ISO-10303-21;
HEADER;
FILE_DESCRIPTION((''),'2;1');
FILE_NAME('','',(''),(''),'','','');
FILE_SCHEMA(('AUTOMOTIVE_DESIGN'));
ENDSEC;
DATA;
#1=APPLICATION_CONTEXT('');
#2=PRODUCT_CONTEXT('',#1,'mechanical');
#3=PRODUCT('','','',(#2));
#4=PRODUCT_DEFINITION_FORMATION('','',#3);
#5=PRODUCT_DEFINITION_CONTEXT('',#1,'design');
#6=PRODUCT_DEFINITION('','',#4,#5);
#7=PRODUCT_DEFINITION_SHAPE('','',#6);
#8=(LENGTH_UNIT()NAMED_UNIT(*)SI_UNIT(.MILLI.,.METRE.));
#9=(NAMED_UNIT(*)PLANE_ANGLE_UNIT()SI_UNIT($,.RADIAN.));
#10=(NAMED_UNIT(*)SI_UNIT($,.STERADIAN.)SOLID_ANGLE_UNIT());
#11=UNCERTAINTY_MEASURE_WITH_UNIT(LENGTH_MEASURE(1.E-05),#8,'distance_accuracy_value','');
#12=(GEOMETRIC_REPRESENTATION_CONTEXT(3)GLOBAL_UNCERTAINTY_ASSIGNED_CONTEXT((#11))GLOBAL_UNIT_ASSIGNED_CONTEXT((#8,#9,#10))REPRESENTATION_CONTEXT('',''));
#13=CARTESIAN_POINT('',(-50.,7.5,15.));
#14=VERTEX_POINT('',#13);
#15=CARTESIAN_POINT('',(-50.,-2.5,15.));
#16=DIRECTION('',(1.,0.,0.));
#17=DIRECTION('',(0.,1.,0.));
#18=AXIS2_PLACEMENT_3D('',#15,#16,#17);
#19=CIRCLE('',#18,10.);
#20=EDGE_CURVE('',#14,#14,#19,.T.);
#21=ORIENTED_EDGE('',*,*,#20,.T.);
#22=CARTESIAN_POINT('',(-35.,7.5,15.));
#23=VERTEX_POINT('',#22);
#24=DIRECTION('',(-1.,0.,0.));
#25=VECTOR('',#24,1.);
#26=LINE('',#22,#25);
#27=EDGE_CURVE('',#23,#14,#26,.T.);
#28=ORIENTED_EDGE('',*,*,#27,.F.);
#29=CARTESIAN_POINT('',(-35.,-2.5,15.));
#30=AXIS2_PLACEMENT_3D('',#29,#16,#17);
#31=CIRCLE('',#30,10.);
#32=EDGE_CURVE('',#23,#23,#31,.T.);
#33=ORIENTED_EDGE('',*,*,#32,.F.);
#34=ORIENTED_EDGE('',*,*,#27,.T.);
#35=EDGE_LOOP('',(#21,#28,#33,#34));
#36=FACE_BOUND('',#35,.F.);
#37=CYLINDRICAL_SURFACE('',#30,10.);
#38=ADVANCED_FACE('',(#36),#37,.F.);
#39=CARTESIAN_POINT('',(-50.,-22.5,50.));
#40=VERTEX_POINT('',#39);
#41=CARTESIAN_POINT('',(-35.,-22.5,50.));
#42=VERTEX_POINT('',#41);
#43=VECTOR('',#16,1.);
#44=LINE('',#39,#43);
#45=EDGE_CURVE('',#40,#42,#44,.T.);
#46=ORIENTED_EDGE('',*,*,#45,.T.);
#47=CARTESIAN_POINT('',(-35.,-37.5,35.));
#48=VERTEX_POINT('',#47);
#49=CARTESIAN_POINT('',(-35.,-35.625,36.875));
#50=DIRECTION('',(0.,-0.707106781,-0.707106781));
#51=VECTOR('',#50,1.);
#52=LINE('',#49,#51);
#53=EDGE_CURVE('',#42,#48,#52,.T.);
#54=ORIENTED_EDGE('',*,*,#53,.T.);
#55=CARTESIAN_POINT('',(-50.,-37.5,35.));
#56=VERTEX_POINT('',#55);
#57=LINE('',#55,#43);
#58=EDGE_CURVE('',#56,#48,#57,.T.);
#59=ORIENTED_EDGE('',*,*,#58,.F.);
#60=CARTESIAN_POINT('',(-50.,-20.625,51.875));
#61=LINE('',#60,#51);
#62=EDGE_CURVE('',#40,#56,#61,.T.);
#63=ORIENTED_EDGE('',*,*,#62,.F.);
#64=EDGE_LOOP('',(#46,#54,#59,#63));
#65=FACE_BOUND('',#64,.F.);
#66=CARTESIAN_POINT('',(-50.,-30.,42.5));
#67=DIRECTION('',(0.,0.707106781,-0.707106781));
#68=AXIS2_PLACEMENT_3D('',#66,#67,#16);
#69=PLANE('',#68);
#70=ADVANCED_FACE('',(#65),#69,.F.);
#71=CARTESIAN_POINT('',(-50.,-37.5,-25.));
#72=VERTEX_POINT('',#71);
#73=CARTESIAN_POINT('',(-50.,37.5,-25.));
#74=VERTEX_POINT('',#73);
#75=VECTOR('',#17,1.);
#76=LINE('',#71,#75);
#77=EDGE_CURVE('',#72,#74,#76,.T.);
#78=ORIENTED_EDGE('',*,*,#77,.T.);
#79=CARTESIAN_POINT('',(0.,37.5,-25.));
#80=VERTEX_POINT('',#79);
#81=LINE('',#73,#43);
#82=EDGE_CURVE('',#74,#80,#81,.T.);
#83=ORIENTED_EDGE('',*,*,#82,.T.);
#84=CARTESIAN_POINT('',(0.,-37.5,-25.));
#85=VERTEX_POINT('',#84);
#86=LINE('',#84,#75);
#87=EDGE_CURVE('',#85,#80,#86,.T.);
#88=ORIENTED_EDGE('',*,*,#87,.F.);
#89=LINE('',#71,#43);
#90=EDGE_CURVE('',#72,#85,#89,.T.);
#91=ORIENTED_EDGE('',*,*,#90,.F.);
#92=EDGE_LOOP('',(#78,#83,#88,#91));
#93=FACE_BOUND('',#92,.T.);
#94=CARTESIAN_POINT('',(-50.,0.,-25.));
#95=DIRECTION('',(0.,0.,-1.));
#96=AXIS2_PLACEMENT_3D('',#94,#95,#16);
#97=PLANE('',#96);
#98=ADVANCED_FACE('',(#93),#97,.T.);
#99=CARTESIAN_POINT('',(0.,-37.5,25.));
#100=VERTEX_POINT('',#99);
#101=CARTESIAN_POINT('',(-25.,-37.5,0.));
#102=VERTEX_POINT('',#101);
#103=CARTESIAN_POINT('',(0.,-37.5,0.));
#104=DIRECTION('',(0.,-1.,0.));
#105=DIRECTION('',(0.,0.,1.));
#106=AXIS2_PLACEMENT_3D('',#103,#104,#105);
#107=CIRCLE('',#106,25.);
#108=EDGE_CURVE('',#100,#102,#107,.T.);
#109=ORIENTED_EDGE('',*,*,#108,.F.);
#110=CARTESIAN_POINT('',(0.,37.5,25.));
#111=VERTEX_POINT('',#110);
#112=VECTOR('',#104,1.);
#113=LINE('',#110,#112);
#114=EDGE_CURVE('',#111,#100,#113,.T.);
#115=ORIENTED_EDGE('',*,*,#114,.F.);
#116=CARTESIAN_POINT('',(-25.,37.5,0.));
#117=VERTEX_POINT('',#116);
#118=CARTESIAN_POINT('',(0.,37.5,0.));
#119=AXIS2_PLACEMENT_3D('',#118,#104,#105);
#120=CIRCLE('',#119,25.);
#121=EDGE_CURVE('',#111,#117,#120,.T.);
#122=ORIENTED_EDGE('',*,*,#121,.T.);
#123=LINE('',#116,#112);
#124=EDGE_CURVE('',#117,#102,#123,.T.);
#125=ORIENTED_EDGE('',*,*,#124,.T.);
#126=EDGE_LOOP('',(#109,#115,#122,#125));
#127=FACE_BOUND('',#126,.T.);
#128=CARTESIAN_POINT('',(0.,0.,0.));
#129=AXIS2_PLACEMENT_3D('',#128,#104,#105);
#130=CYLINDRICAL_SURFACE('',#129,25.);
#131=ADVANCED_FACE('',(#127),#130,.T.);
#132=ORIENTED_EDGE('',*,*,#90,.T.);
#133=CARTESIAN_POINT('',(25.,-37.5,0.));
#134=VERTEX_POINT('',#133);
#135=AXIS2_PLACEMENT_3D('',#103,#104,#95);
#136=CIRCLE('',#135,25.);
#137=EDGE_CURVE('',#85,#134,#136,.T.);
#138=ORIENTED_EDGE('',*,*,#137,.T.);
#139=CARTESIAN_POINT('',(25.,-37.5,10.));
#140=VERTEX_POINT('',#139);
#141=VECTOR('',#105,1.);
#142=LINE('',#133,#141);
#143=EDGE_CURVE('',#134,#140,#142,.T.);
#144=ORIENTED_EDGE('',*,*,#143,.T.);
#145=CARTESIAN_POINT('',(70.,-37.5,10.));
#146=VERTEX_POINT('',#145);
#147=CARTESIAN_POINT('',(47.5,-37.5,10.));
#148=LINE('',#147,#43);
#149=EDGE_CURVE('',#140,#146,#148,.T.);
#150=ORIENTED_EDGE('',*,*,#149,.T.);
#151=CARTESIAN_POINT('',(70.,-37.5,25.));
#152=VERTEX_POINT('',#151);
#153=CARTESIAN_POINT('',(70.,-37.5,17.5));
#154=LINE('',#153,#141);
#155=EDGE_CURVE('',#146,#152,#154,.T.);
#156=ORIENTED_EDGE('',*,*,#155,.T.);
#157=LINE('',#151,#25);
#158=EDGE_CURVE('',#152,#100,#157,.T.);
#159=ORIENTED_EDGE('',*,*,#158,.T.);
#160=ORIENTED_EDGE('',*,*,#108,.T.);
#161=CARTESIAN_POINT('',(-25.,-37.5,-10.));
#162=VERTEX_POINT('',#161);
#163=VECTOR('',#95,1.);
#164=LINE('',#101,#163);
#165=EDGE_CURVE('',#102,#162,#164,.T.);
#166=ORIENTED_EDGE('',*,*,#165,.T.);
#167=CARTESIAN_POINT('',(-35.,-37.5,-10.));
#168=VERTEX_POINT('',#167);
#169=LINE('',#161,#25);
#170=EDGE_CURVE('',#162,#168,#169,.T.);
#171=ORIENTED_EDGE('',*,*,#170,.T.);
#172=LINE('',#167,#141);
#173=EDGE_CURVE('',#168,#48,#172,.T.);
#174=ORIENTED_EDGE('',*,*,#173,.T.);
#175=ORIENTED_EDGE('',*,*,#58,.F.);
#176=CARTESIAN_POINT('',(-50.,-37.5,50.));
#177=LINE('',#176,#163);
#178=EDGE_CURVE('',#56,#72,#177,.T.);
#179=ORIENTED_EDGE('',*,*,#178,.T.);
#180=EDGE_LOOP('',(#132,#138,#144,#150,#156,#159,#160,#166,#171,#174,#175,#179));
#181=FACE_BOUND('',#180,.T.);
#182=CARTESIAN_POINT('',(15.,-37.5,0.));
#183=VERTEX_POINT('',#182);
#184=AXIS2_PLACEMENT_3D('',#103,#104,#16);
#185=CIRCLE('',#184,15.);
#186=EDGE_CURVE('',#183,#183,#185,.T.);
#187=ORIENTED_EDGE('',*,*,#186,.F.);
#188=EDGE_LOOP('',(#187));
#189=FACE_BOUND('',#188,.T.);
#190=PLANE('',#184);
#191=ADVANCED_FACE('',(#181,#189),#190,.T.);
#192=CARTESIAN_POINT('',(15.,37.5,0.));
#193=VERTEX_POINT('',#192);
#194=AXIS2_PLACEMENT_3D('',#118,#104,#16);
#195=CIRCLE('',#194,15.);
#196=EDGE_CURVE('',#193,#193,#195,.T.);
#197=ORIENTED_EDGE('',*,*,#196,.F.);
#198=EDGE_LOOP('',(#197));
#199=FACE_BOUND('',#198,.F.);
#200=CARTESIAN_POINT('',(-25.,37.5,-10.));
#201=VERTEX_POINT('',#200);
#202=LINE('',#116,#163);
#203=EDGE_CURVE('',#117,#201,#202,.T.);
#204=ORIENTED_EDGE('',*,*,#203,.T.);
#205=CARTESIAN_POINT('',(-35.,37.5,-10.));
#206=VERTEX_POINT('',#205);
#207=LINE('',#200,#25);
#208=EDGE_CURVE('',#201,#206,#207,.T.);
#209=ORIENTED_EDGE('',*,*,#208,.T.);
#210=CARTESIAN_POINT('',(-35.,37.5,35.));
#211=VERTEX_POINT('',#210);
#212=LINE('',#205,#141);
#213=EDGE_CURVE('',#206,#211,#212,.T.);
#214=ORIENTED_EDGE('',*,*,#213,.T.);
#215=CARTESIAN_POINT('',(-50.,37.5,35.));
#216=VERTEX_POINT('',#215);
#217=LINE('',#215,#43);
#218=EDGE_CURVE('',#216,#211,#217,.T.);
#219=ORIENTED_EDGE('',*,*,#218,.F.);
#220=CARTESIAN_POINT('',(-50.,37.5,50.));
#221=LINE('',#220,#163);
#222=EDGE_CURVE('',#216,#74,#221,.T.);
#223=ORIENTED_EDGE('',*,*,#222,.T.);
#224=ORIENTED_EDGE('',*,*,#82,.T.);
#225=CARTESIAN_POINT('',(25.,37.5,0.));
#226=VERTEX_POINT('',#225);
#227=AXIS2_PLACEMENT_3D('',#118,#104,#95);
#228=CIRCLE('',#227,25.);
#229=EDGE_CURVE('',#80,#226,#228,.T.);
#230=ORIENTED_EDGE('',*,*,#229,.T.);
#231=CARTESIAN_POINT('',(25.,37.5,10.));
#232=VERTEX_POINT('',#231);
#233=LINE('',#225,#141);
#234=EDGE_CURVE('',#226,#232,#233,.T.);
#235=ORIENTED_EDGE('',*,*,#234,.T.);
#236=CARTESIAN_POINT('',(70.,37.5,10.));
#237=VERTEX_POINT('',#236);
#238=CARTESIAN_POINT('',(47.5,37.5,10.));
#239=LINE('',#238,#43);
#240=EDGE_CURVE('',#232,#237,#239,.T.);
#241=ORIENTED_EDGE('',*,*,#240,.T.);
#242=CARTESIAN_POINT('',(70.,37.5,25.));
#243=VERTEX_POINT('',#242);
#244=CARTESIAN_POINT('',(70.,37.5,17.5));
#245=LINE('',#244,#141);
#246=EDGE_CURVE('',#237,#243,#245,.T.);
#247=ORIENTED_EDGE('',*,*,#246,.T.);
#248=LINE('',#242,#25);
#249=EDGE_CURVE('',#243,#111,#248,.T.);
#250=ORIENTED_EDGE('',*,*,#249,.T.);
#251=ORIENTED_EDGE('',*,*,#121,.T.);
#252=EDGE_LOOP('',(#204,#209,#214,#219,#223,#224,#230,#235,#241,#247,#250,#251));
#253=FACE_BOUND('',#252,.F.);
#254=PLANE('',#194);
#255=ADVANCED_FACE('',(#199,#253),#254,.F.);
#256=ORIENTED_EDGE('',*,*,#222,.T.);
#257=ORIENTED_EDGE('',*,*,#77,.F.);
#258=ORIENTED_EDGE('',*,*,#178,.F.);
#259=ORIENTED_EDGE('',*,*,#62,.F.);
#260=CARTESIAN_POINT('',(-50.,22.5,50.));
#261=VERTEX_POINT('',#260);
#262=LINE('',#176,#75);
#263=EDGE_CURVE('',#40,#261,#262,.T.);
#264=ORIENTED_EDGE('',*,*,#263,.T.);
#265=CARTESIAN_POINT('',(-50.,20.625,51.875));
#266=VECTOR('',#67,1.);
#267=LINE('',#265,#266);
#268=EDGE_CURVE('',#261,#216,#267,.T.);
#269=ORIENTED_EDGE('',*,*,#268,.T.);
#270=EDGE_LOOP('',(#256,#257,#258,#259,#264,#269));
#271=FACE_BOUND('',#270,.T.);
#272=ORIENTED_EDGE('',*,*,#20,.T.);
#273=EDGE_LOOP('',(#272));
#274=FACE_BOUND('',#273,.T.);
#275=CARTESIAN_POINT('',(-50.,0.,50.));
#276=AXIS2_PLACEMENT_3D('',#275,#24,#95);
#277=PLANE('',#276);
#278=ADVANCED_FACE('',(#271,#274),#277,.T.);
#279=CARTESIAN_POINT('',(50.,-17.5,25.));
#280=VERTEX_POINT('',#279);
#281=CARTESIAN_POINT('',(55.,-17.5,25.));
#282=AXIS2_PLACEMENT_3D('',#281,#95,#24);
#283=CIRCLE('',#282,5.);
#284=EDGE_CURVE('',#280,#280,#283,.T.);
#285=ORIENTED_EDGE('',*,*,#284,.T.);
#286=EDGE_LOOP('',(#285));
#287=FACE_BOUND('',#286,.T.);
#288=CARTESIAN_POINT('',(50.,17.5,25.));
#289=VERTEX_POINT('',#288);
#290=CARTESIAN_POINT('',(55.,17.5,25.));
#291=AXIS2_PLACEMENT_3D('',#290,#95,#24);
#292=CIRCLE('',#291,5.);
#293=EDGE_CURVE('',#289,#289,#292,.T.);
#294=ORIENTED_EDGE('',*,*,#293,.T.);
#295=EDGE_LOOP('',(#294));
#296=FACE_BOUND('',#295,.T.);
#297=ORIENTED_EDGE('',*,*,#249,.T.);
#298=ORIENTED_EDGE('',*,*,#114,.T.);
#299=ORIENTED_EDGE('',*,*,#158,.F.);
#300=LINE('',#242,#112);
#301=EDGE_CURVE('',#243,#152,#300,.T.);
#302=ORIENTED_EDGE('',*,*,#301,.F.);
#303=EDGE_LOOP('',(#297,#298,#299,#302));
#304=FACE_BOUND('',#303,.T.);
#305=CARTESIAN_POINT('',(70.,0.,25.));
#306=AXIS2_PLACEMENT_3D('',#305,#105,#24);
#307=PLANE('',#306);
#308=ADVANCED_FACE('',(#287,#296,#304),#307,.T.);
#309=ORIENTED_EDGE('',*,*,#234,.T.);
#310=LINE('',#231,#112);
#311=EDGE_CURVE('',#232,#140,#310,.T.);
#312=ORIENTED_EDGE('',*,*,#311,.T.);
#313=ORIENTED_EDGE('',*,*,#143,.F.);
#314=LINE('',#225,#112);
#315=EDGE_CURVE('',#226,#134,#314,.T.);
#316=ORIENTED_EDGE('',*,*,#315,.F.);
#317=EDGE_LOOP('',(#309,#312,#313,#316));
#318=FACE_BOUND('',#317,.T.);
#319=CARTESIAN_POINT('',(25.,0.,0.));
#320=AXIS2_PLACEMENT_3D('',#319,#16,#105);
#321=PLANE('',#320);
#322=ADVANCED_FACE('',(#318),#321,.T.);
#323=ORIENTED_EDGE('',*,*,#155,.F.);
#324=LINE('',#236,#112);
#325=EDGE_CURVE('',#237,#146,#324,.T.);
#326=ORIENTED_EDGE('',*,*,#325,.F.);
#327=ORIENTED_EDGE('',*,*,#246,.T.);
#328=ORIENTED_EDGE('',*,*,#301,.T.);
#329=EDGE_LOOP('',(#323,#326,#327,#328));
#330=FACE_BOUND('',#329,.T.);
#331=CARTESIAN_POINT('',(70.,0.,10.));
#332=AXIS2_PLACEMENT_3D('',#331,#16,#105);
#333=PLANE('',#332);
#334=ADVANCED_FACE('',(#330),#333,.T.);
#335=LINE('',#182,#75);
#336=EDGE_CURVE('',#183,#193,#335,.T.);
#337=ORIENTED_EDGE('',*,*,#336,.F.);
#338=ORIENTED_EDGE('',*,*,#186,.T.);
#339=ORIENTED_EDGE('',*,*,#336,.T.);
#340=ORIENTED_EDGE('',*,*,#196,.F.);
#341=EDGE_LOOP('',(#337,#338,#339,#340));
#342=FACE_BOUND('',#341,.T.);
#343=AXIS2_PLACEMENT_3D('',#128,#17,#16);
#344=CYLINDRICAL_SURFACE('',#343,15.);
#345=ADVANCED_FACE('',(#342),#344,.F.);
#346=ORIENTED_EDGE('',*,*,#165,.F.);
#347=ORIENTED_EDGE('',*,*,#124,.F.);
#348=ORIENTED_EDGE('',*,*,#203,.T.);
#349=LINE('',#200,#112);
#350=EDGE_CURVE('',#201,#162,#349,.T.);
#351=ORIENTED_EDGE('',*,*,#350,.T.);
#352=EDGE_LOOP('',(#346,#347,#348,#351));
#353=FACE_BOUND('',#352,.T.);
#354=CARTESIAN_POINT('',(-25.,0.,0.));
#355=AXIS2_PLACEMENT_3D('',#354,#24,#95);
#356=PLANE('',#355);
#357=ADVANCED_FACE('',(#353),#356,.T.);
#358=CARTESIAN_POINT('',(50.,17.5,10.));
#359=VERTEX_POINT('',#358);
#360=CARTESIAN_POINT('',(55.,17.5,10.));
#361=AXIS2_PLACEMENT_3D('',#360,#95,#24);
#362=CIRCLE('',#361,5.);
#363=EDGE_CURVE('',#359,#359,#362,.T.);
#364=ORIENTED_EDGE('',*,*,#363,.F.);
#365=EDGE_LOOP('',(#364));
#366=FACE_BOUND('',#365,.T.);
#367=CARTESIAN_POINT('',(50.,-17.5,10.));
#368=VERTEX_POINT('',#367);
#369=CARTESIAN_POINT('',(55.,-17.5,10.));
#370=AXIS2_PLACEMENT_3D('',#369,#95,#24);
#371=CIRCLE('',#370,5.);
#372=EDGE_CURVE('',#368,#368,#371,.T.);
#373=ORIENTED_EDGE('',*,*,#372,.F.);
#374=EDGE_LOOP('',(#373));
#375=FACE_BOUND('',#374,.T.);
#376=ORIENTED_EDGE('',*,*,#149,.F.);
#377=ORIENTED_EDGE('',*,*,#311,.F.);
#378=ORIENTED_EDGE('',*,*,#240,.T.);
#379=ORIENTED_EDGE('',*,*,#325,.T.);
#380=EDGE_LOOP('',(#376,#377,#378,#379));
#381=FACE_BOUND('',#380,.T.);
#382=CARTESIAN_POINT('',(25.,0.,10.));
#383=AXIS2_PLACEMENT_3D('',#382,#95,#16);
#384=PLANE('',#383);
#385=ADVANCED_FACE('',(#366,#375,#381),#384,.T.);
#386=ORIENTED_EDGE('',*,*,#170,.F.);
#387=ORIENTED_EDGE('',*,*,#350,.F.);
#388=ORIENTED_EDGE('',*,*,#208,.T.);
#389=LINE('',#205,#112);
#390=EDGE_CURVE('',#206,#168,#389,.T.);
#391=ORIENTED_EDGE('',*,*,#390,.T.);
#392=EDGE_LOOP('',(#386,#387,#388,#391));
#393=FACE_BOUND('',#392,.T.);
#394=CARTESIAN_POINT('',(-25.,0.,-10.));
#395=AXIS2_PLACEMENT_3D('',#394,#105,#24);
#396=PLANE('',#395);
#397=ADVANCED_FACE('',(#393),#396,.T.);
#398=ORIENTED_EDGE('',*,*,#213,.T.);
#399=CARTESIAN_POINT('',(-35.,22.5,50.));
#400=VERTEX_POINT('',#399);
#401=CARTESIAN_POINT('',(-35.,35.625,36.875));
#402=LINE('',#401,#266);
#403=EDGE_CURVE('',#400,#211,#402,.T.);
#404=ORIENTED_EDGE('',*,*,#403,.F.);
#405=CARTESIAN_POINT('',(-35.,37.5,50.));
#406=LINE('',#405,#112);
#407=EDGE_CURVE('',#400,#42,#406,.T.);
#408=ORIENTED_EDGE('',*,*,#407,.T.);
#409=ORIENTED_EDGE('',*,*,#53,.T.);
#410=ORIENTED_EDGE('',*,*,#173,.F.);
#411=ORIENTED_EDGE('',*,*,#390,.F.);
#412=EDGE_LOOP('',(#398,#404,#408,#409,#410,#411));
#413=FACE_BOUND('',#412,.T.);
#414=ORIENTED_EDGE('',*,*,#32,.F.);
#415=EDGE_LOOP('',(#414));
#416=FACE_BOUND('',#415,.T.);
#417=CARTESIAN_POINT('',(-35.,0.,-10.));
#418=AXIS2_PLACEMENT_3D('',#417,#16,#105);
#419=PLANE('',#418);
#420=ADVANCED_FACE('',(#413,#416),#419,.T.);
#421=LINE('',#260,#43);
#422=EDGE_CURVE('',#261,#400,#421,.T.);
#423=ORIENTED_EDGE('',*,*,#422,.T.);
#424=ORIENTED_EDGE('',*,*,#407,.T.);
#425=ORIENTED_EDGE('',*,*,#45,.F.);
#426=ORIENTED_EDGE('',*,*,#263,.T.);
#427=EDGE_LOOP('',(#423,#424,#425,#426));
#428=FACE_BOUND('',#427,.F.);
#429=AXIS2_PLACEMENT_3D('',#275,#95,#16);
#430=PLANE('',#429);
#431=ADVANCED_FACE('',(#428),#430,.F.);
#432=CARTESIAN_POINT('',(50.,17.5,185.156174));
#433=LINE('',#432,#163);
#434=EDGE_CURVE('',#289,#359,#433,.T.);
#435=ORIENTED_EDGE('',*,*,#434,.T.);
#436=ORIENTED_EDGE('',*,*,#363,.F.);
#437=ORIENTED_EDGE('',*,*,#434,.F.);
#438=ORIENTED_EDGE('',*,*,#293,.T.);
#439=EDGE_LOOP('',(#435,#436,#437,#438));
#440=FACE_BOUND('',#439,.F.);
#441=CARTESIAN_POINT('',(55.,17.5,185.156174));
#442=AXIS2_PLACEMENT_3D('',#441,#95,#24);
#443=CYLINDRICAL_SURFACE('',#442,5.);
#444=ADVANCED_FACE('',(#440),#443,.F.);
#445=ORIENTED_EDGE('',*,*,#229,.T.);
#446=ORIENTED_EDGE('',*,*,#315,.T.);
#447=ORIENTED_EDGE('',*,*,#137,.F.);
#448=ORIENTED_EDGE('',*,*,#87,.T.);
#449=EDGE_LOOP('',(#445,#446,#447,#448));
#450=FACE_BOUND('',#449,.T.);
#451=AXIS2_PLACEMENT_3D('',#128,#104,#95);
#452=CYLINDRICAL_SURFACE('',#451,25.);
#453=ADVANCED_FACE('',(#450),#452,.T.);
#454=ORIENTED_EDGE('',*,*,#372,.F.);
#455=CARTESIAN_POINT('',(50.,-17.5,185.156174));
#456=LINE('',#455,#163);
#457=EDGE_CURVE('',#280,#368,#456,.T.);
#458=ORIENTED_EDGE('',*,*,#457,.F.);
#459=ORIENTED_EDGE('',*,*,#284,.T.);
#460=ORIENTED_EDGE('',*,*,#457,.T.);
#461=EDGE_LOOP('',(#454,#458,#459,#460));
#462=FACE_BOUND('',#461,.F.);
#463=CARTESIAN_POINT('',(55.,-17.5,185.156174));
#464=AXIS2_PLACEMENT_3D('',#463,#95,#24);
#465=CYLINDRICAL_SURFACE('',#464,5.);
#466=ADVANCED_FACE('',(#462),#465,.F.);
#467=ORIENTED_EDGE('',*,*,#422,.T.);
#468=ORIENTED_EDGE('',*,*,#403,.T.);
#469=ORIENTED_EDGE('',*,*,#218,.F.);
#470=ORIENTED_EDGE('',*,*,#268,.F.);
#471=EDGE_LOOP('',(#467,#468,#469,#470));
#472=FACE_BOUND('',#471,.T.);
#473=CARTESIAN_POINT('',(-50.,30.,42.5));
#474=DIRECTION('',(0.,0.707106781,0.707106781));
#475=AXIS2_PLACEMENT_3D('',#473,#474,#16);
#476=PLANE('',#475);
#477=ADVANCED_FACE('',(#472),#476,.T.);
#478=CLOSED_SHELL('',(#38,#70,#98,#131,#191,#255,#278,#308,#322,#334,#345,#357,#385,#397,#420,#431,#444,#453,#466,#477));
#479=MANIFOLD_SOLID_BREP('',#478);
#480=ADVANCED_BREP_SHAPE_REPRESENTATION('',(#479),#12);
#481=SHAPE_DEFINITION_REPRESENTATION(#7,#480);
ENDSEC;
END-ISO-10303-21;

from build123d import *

# Parameters (mm, degrees)
F0_R     = 15
F0_W     = 45
F0_H     = 15
F0_W_2   = 15
F1_DEPTH = 37.5
F2_SIZE  = 15
F4_DEPTH = 15
F5_D     = 20
F5_DEPTH = 15.001
F7_D     = 10


with BuildPart() as f1:
    # F0 (on Front) → F1 (new body, symmetric)
    with BuildSketch(Plane.XZ):
        with BuildLine():
            Line((-25, -25), (0, -25))
            ThreePointArc((0, -25), (17.6776695297, -17.6776695297), (25, 0))
            Line((25, 0), (25, 10))
            Line((25, 10), (25, 25))
            Line((25, 25), (0, 25))
            ThreePointArc((0, 25), (-17.6776695297, 17.6776695297), (-25, 0))
            Line((-25, 0), (-25, -10))
            Line((-25, -10), (-25, -25))
        make_face()
        Circle(F0_R, mode=Mode.SUBTRACT)
        Polygon((-50, -25), (-25, -25), (-25, -10), (-35, -10), (-35, 35), (-50, 35), align=None)
        with Locations((47.5, 17.5)):
            Rectangle(F0_W, F0_H)
        with Locations((-42.5, 42.5)):
            Rectangle(F0_W_2, F0_H)
    extrude(amount=F1_DEPTH, both=True)

    # F2
    f2_edges = [f1.edges().sort_by_distance(p)[0] for p in [
        (-42.5, -37.5, 50),
        (-42.5, 37.5, 50),
    ]]
    chamfer(f2_edges, length=F2_SIZE)

    # F3 (on face) → F4 (join, through all)
    with BuildSketch(Plane.YZ.offset(-35)):
        with BuildLine():
            ThreePointArc((-12.5, 15), (-2.5, 5), (7.5, 15))
            ThreePointArc((7.5, 15), (4.5710678119, 22.0710678119), (-2.5, 25))
            Line((-2.5, 25), (-2.5, 15))
            Line((-2.5, 15), (-12.5, 15))
        make_face()
    extrude(amount=-F4_DEPTH)

    # F5 (through all, one way)
    with BuildSketch(Plane.YZ.offset(-35)):
        with Locations((-2.5, 15)):
            Circle(F5_D / 2)
    extrude(amount=-F5_DEPTH, mode=Mode.SUBTRACT)

    # F7 (through all)
    with Locations(Plane.XY.offset(25)):
        with Locations((55, -17.5), (55, 17.5)):
            Hole(F7_D / 2)


solid = f1.part
